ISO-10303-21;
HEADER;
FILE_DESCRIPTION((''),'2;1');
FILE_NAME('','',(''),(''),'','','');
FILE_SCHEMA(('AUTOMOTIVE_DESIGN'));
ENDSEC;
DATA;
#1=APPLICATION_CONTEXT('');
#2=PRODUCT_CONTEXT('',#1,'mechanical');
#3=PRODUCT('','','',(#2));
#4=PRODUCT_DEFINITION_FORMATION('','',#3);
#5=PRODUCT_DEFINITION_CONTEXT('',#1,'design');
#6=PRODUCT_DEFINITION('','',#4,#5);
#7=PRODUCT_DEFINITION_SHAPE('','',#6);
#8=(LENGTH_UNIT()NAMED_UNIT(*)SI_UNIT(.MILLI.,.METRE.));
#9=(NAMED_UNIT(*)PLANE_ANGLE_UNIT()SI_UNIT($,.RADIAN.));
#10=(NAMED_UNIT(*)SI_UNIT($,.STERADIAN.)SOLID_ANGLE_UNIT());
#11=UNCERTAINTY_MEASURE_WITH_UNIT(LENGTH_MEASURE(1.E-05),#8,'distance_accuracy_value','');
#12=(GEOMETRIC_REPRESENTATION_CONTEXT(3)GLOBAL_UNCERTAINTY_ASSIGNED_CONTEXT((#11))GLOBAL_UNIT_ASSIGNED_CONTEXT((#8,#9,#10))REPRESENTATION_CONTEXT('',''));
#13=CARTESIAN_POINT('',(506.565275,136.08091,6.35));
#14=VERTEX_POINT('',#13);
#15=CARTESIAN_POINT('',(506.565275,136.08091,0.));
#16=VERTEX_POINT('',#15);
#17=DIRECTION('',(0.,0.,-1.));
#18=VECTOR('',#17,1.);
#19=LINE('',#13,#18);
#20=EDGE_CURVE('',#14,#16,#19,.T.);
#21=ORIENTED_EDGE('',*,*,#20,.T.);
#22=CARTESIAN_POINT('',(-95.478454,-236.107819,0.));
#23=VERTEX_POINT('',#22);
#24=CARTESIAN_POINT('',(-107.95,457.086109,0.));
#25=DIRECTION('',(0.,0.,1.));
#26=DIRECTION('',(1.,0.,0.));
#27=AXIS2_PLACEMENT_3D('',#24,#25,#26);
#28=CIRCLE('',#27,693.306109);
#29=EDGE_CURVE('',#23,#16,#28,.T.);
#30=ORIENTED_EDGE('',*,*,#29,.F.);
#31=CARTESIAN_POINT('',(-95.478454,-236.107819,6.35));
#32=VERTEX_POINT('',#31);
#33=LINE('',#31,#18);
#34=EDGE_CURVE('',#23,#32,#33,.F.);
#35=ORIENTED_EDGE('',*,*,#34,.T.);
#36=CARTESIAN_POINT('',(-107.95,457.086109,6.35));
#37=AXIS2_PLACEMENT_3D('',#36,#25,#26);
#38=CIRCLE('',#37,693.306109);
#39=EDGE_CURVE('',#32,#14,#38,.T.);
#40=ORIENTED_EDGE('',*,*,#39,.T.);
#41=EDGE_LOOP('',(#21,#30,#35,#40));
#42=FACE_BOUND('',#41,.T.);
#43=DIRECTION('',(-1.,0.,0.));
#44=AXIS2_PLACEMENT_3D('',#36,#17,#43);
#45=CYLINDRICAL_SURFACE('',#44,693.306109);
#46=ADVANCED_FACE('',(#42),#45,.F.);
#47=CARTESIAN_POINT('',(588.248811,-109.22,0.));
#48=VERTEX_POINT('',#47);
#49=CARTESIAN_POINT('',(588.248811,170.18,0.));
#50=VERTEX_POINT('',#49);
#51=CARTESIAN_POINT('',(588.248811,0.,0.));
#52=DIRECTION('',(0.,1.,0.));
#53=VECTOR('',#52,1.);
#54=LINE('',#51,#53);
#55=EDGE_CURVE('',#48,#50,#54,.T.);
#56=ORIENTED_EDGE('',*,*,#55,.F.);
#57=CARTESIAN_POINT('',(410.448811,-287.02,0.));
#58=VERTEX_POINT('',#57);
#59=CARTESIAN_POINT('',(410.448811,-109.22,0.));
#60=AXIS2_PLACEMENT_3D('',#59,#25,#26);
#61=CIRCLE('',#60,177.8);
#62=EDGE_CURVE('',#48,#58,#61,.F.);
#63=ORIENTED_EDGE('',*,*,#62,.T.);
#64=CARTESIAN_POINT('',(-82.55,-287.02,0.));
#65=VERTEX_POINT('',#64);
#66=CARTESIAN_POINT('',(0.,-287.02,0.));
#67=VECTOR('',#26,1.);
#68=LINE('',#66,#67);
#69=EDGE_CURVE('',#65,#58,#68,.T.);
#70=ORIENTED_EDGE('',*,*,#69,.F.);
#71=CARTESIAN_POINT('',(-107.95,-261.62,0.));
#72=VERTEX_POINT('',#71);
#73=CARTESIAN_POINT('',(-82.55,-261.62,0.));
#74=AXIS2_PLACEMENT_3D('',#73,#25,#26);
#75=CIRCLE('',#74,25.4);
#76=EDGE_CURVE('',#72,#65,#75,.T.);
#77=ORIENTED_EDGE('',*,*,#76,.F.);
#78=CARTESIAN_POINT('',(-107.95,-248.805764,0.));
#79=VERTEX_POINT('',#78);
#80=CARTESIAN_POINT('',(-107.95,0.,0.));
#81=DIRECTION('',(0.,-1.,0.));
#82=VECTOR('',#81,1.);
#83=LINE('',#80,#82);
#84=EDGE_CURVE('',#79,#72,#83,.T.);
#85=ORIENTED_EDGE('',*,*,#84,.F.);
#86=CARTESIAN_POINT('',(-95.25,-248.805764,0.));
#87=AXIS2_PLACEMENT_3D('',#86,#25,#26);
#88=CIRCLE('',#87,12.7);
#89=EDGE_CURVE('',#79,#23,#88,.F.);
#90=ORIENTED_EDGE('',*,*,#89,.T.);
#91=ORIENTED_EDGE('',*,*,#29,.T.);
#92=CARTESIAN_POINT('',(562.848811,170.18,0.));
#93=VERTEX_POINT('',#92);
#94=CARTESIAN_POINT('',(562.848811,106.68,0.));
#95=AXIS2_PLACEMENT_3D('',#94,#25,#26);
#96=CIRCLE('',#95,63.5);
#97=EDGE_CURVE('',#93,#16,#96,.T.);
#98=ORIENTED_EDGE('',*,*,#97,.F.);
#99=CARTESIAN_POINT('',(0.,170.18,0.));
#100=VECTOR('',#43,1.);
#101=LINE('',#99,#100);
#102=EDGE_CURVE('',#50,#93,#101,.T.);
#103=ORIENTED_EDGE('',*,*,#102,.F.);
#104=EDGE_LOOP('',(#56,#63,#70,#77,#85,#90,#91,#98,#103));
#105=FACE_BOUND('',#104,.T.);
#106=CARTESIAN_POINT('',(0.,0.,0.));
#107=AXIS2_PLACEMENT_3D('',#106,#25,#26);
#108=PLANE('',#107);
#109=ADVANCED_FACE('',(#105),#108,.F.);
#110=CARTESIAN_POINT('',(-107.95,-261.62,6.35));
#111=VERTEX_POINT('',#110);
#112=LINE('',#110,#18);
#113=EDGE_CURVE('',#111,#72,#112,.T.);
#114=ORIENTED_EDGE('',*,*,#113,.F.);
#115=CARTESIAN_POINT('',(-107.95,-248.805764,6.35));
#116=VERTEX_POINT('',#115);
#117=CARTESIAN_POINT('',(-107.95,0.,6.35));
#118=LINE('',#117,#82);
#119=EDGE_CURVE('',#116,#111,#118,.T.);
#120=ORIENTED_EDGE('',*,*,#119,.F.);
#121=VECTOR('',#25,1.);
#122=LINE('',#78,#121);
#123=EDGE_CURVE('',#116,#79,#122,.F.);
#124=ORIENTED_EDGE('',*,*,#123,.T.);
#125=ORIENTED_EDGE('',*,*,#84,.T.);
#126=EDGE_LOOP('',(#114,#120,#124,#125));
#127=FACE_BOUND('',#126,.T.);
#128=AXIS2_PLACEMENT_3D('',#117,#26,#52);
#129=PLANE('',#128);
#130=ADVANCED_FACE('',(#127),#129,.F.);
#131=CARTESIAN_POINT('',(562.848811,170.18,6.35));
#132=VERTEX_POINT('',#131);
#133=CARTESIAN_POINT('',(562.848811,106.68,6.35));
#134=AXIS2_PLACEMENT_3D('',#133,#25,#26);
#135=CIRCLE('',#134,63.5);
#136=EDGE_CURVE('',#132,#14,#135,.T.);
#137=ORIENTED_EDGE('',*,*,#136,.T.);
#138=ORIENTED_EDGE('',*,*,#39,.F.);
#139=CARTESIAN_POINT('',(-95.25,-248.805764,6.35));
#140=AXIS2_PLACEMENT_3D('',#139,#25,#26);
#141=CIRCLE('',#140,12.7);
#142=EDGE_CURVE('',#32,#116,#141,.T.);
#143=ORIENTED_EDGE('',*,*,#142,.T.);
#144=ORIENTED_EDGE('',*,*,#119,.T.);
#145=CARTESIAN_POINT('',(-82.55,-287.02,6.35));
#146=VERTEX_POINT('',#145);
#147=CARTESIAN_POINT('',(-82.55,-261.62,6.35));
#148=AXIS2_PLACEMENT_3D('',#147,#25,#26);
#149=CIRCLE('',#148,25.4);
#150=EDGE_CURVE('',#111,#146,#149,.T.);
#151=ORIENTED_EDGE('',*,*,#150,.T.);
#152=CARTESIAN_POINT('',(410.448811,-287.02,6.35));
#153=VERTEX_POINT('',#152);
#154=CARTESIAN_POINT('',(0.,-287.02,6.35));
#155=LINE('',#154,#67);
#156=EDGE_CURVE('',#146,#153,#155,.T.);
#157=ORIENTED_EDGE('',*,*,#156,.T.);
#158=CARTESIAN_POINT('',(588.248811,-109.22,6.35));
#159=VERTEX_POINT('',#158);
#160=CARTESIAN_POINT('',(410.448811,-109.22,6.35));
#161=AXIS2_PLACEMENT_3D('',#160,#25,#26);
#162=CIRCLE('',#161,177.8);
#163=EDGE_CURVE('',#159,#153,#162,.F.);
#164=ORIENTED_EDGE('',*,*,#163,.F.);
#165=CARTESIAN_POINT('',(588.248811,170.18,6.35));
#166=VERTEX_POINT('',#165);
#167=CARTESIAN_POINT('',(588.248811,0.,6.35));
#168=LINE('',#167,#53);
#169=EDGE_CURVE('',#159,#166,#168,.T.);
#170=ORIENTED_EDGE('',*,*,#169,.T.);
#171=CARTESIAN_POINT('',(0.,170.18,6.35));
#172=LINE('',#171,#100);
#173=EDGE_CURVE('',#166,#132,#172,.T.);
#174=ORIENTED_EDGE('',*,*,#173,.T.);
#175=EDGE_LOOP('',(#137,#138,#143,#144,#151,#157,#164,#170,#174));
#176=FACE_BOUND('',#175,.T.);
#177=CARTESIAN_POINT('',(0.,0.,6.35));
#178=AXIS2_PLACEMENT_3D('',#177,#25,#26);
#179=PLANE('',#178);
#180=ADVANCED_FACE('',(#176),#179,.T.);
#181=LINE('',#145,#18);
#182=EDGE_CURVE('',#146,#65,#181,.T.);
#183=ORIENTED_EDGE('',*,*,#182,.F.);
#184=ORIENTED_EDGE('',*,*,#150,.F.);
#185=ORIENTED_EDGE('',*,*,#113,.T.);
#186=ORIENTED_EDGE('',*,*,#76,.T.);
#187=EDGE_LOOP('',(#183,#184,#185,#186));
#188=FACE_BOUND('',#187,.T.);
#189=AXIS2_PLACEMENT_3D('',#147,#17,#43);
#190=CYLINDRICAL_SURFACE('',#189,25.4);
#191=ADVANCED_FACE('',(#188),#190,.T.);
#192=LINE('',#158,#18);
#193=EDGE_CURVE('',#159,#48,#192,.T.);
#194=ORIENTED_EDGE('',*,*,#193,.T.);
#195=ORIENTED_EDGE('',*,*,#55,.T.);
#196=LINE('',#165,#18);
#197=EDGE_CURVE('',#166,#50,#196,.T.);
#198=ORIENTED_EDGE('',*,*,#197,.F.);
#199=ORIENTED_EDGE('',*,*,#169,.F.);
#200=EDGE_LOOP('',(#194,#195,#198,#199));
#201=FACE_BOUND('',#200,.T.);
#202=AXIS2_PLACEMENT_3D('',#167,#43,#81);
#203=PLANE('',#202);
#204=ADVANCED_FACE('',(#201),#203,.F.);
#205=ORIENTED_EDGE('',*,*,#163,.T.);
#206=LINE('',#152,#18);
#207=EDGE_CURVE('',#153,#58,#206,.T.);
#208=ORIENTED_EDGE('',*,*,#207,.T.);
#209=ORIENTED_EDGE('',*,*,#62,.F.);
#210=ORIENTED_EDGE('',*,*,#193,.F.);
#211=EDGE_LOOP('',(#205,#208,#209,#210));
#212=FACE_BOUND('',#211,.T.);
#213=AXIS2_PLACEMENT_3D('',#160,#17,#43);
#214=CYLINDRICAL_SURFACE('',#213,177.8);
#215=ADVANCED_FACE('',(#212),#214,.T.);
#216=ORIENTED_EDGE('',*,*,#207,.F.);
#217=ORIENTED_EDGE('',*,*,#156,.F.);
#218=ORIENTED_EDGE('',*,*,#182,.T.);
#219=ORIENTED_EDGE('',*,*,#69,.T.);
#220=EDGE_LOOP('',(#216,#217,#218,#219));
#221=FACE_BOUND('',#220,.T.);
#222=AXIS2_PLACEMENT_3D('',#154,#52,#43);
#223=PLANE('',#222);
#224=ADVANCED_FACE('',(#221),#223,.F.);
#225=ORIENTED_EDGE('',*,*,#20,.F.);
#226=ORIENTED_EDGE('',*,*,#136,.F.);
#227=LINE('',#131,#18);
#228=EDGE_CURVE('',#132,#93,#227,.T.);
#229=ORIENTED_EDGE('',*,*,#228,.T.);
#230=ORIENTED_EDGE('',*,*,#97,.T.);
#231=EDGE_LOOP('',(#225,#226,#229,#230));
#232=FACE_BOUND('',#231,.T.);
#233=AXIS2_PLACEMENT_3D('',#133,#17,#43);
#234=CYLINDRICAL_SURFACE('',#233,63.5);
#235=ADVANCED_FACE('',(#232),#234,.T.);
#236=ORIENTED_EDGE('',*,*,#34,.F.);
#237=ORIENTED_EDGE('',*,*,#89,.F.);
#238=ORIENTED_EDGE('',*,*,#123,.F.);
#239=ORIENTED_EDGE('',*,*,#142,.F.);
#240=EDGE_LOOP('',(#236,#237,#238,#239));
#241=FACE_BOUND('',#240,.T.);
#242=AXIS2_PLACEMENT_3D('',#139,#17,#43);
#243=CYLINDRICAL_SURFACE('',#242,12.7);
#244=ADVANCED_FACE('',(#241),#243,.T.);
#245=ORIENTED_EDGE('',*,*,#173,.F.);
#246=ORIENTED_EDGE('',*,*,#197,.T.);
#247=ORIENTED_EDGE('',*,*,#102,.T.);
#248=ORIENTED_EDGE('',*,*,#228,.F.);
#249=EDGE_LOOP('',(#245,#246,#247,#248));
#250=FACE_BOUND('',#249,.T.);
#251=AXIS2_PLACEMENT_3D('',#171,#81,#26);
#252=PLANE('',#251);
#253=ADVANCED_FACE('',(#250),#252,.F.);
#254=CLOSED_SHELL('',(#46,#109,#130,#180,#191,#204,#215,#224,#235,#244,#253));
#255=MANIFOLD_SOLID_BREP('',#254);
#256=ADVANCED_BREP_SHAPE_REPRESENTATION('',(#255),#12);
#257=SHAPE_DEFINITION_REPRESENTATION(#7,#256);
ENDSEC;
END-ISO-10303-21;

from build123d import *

# Parameters (mm, degrees)
BOSS_EXTRUDE1_DEPTH = 6.35
FILLET1_R           = 12.7


with BuildPart() as part:
    # Sketch1 → Boss-Extrude1 (new body)
    with BuildSketch(Plane.XY):
        with BuildLine():
            Line((-107.95, -236.22), (-107.95, -261.62))
            ThreePointArc((-107.95, -261.62), (-100.510512242, -279.580512242), (-82.55, -287.02))
            Line((-82.55, -287.02), (410.448811446, -287.02))
            ThreePointArc((410.448811446, -287.02), (536.172397141, -234.943585695), (588.248811446, -109.22))
            Line((588.248811446, -109.22), (588.248811446, 170.18))
            Line((588.248811446, 170.18), (562.848811446, 170.18))
            ThreePointArc((562.848811446, 170.18), (529.945223143, 160.990255724), (506.565274596, 136.080909505))
            ThreePointArc((506.565274596, 136.080909505), (251.298169769, -135.884474844), (-107.95, -236.22))
        make_face()
    extrude(amount=BOSS_EXTRUDE1_DEPTH)

    # Fillet1
    fillet1_edges = [part.edges().sort_by_distance(p)[0] for p in [
        (-107.95, -236.22, 3.175),
    ]]
    fillet(fillet1_edges, radius=FILLET1_R)


solid = part.part
